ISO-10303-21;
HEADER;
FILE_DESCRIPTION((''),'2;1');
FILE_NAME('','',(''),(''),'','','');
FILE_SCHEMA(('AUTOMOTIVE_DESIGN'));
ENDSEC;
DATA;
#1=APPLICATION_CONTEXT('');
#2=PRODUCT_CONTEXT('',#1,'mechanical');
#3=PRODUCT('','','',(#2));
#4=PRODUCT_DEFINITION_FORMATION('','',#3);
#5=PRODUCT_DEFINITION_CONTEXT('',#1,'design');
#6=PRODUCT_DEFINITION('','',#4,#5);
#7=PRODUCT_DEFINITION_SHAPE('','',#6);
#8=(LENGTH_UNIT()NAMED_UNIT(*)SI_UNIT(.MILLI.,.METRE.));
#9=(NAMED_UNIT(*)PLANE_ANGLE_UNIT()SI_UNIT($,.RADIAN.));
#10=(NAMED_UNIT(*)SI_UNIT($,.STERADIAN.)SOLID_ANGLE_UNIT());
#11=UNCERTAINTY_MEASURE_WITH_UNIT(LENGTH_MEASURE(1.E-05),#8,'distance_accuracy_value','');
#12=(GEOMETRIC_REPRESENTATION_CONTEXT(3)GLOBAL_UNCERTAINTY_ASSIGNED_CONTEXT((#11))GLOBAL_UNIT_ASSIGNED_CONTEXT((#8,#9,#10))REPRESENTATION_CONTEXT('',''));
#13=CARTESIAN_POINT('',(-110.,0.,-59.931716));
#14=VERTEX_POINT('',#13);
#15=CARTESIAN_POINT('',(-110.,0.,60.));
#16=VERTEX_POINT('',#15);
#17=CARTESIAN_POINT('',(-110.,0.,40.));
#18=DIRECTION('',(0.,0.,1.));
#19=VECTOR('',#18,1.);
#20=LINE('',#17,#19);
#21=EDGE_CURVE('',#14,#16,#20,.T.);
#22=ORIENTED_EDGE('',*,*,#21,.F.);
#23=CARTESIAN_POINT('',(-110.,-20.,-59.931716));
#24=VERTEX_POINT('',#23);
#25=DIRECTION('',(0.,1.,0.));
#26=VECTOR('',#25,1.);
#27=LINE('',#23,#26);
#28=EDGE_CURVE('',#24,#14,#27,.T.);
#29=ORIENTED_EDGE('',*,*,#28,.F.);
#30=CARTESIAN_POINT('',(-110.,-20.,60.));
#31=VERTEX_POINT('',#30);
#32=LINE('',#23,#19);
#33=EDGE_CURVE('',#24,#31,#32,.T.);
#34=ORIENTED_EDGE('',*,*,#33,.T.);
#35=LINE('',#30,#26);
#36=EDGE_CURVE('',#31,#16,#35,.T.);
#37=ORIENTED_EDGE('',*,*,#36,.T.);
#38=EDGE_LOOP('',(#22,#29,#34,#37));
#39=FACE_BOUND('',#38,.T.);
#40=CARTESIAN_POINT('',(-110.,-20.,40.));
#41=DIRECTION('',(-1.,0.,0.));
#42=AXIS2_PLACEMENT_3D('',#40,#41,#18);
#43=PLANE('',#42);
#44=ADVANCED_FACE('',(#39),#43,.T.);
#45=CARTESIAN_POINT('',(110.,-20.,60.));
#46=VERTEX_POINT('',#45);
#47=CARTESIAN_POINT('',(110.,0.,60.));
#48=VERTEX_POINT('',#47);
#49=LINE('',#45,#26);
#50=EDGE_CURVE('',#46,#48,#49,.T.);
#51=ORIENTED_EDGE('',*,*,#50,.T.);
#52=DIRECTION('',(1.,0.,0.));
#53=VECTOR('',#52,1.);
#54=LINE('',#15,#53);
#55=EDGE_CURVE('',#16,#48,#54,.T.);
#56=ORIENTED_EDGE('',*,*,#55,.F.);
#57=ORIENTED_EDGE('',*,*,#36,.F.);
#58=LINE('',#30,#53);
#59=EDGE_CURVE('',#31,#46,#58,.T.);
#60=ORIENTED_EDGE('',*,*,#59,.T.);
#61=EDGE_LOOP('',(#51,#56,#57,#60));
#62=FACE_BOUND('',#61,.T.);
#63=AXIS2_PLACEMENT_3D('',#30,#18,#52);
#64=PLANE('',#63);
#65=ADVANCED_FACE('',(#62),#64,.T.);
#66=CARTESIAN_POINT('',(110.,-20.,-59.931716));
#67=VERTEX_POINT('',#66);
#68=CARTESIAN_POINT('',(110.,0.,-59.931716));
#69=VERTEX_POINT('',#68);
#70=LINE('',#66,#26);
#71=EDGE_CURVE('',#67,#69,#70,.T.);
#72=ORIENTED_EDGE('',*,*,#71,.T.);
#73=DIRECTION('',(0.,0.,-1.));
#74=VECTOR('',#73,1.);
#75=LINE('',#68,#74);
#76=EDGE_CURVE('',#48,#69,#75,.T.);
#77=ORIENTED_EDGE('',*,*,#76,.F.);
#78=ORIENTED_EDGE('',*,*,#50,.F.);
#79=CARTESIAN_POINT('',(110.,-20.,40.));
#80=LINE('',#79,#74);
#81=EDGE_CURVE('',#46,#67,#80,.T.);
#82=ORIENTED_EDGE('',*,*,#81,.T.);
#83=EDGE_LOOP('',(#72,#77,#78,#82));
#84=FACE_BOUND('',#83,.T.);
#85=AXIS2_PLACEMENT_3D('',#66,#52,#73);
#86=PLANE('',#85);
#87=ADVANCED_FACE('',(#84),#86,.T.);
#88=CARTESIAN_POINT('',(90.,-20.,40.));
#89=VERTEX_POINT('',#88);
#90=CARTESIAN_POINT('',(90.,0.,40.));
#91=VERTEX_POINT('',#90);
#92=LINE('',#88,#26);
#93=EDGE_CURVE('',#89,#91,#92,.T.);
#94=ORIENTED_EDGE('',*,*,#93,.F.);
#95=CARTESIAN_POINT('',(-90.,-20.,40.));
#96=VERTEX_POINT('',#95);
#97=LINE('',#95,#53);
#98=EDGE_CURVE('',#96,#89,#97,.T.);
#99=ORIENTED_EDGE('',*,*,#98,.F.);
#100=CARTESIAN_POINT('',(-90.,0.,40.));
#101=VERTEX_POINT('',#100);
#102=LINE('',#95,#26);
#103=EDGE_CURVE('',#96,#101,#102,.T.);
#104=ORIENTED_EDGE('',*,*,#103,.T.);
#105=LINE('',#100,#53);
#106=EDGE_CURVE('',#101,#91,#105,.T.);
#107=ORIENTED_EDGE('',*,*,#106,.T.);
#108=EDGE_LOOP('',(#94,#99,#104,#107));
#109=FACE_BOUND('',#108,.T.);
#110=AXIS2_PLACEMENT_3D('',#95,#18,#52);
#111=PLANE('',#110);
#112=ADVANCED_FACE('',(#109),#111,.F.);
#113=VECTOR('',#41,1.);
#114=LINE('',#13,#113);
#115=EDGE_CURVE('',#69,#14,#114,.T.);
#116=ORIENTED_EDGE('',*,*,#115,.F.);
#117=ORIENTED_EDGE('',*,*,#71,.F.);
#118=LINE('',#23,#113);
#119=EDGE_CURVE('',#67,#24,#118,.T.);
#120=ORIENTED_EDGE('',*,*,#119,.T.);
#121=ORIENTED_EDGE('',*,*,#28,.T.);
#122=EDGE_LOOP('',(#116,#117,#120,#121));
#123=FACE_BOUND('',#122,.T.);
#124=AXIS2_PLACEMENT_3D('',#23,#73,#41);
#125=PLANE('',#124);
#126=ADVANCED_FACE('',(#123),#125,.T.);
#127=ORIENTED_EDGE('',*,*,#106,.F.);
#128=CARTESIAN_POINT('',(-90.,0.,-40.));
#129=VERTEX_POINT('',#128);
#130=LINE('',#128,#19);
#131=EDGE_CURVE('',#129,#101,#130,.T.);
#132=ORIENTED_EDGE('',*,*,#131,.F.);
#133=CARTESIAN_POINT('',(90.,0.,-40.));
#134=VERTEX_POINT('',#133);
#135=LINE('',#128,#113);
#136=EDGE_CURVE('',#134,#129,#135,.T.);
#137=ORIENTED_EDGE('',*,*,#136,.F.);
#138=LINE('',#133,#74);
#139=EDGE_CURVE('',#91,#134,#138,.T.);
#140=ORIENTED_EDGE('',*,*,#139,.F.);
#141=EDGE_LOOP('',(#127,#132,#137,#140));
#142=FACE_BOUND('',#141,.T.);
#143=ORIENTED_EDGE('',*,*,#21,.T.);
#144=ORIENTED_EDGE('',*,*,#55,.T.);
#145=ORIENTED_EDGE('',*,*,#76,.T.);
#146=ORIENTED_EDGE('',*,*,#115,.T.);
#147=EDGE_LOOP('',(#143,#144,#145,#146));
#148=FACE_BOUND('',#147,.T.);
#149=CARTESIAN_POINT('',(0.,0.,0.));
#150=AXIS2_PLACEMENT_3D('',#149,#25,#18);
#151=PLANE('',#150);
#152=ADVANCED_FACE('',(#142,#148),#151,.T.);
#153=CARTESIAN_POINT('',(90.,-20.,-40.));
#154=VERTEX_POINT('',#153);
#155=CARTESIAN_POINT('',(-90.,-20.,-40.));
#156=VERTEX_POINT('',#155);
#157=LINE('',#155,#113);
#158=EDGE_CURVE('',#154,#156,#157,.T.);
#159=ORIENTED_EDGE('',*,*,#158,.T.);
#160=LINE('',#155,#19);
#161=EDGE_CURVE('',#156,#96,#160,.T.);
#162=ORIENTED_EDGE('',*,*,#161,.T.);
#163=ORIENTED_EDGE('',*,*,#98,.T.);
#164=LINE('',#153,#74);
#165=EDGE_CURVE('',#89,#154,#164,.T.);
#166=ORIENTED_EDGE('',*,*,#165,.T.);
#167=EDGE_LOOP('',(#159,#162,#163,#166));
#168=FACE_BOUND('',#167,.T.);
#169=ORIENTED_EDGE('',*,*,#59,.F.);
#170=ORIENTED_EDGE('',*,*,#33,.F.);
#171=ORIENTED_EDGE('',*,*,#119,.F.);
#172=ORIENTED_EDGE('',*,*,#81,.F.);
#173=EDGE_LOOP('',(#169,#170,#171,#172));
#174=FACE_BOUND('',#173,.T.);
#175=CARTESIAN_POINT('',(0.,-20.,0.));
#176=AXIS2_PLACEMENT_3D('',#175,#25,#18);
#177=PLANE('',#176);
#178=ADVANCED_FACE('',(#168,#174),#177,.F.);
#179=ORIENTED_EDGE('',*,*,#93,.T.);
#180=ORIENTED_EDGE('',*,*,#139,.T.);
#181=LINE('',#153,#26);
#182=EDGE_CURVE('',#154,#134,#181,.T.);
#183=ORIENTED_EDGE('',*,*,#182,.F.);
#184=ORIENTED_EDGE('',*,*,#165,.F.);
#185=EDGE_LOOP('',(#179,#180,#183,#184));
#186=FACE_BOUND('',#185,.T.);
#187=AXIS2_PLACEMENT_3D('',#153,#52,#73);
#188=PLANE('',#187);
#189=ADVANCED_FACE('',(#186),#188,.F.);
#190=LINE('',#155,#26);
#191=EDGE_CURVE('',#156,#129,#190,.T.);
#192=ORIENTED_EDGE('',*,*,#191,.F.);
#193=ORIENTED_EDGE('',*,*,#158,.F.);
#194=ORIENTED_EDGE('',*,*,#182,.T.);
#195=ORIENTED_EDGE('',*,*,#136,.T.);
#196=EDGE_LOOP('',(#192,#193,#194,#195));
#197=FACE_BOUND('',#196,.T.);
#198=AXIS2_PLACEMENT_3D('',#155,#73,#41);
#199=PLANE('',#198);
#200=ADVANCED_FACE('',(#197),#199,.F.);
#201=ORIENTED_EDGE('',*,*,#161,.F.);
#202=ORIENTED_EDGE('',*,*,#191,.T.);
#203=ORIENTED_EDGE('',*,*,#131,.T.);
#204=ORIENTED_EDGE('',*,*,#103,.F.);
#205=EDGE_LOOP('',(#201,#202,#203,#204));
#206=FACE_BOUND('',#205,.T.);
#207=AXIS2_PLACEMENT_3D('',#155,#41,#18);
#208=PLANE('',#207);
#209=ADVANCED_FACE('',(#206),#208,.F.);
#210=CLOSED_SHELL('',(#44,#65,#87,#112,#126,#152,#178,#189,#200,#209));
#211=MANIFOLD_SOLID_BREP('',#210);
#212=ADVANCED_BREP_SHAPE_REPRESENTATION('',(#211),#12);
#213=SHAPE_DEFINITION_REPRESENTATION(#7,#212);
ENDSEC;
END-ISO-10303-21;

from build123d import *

# Parameters (mm, degrees)
SKETCH_1_W      = 180
SKETCH_1_H      = 80
EXTRUDE_1_DEPTH = 20


with BuildPart() as part:
    # 草图1 → 凸台-拉伸1 (new body)
    with BuildSketch(Plane(origin=(0, 0, 0), x_dir=(1, 0, 0), z_dir=(0, 1, 0))):
        Polygon((-110, -40), (-110, -60), (110, -60), (110, -40), (110, 40), (110, 59.931716483), (-110, 59.931716483), (-110, 40), align=None)
        Rectangle(SKETCH_1_W, SKETCH_1_H, mode=Mode.SUBTRACT)
    extrude(amount=-EXTRUDE_1_DEPTH)


solid = part.part
